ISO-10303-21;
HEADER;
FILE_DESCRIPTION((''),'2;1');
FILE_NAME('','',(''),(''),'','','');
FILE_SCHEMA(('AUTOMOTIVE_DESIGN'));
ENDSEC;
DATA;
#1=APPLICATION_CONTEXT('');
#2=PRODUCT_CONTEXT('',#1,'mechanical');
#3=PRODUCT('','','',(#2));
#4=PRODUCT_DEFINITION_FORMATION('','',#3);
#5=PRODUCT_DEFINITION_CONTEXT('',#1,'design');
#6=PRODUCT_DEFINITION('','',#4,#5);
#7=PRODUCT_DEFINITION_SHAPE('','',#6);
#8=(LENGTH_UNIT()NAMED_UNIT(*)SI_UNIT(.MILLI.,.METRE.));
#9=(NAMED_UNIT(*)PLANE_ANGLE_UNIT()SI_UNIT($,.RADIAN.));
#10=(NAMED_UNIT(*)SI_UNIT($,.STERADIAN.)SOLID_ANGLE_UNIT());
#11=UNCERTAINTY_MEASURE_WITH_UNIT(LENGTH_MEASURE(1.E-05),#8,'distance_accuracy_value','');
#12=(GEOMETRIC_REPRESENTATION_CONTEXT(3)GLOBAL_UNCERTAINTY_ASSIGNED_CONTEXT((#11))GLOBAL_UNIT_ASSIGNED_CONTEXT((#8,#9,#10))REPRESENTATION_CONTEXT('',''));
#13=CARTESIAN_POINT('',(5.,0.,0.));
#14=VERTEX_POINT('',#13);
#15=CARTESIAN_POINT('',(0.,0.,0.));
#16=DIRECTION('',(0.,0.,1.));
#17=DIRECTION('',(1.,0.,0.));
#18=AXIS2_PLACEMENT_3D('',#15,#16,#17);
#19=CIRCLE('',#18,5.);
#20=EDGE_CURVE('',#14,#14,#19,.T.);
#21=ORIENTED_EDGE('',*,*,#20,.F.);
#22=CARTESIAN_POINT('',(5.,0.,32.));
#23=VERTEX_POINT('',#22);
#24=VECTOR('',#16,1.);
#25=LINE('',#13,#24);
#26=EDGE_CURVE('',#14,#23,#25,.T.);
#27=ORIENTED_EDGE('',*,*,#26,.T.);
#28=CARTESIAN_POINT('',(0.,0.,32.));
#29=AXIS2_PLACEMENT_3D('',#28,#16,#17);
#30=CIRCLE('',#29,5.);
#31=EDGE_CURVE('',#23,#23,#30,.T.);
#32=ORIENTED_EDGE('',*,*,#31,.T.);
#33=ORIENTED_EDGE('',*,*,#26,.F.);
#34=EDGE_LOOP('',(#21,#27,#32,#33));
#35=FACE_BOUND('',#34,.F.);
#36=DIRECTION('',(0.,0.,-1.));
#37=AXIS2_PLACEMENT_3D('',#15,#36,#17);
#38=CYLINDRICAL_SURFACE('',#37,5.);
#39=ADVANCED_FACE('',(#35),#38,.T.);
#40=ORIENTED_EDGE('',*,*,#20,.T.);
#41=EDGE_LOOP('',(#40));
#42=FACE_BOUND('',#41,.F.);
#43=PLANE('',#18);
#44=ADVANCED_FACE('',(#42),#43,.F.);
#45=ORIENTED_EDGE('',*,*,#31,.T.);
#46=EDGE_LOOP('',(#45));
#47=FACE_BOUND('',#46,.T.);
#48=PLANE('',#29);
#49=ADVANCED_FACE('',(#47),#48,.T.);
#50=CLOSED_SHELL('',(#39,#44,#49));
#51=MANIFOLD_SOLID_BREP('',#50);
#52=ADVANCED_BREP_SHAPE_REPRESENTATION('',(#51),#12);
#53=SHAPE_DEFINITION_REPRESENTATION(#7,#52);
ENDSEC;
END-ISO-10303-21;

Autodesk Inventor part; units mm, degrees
ref_plane "YZ Plane" through (0, 0, 0) normal (1, 0, 0) x (0, 1, 0)
ref_plane "XZ Plane" through (0, 0, 0) normal (0, 1, 0) x (-1, 0, 0)
ref_plane "XY Plane" through (0, 0, 0) normal (0, 0, 1) x (1, 0, 0)
sketch "Skizze1" plane through (0, 0, 0) normal (0, 0, 1) x (1, 0, 0)
  circle A0 centre (0, 0) radius 5
  dimension "d0" = 10
extrude "Extrusion1" add sketch "Skizze1" along normal blind 32
properties part number "BauteilWelle2"
